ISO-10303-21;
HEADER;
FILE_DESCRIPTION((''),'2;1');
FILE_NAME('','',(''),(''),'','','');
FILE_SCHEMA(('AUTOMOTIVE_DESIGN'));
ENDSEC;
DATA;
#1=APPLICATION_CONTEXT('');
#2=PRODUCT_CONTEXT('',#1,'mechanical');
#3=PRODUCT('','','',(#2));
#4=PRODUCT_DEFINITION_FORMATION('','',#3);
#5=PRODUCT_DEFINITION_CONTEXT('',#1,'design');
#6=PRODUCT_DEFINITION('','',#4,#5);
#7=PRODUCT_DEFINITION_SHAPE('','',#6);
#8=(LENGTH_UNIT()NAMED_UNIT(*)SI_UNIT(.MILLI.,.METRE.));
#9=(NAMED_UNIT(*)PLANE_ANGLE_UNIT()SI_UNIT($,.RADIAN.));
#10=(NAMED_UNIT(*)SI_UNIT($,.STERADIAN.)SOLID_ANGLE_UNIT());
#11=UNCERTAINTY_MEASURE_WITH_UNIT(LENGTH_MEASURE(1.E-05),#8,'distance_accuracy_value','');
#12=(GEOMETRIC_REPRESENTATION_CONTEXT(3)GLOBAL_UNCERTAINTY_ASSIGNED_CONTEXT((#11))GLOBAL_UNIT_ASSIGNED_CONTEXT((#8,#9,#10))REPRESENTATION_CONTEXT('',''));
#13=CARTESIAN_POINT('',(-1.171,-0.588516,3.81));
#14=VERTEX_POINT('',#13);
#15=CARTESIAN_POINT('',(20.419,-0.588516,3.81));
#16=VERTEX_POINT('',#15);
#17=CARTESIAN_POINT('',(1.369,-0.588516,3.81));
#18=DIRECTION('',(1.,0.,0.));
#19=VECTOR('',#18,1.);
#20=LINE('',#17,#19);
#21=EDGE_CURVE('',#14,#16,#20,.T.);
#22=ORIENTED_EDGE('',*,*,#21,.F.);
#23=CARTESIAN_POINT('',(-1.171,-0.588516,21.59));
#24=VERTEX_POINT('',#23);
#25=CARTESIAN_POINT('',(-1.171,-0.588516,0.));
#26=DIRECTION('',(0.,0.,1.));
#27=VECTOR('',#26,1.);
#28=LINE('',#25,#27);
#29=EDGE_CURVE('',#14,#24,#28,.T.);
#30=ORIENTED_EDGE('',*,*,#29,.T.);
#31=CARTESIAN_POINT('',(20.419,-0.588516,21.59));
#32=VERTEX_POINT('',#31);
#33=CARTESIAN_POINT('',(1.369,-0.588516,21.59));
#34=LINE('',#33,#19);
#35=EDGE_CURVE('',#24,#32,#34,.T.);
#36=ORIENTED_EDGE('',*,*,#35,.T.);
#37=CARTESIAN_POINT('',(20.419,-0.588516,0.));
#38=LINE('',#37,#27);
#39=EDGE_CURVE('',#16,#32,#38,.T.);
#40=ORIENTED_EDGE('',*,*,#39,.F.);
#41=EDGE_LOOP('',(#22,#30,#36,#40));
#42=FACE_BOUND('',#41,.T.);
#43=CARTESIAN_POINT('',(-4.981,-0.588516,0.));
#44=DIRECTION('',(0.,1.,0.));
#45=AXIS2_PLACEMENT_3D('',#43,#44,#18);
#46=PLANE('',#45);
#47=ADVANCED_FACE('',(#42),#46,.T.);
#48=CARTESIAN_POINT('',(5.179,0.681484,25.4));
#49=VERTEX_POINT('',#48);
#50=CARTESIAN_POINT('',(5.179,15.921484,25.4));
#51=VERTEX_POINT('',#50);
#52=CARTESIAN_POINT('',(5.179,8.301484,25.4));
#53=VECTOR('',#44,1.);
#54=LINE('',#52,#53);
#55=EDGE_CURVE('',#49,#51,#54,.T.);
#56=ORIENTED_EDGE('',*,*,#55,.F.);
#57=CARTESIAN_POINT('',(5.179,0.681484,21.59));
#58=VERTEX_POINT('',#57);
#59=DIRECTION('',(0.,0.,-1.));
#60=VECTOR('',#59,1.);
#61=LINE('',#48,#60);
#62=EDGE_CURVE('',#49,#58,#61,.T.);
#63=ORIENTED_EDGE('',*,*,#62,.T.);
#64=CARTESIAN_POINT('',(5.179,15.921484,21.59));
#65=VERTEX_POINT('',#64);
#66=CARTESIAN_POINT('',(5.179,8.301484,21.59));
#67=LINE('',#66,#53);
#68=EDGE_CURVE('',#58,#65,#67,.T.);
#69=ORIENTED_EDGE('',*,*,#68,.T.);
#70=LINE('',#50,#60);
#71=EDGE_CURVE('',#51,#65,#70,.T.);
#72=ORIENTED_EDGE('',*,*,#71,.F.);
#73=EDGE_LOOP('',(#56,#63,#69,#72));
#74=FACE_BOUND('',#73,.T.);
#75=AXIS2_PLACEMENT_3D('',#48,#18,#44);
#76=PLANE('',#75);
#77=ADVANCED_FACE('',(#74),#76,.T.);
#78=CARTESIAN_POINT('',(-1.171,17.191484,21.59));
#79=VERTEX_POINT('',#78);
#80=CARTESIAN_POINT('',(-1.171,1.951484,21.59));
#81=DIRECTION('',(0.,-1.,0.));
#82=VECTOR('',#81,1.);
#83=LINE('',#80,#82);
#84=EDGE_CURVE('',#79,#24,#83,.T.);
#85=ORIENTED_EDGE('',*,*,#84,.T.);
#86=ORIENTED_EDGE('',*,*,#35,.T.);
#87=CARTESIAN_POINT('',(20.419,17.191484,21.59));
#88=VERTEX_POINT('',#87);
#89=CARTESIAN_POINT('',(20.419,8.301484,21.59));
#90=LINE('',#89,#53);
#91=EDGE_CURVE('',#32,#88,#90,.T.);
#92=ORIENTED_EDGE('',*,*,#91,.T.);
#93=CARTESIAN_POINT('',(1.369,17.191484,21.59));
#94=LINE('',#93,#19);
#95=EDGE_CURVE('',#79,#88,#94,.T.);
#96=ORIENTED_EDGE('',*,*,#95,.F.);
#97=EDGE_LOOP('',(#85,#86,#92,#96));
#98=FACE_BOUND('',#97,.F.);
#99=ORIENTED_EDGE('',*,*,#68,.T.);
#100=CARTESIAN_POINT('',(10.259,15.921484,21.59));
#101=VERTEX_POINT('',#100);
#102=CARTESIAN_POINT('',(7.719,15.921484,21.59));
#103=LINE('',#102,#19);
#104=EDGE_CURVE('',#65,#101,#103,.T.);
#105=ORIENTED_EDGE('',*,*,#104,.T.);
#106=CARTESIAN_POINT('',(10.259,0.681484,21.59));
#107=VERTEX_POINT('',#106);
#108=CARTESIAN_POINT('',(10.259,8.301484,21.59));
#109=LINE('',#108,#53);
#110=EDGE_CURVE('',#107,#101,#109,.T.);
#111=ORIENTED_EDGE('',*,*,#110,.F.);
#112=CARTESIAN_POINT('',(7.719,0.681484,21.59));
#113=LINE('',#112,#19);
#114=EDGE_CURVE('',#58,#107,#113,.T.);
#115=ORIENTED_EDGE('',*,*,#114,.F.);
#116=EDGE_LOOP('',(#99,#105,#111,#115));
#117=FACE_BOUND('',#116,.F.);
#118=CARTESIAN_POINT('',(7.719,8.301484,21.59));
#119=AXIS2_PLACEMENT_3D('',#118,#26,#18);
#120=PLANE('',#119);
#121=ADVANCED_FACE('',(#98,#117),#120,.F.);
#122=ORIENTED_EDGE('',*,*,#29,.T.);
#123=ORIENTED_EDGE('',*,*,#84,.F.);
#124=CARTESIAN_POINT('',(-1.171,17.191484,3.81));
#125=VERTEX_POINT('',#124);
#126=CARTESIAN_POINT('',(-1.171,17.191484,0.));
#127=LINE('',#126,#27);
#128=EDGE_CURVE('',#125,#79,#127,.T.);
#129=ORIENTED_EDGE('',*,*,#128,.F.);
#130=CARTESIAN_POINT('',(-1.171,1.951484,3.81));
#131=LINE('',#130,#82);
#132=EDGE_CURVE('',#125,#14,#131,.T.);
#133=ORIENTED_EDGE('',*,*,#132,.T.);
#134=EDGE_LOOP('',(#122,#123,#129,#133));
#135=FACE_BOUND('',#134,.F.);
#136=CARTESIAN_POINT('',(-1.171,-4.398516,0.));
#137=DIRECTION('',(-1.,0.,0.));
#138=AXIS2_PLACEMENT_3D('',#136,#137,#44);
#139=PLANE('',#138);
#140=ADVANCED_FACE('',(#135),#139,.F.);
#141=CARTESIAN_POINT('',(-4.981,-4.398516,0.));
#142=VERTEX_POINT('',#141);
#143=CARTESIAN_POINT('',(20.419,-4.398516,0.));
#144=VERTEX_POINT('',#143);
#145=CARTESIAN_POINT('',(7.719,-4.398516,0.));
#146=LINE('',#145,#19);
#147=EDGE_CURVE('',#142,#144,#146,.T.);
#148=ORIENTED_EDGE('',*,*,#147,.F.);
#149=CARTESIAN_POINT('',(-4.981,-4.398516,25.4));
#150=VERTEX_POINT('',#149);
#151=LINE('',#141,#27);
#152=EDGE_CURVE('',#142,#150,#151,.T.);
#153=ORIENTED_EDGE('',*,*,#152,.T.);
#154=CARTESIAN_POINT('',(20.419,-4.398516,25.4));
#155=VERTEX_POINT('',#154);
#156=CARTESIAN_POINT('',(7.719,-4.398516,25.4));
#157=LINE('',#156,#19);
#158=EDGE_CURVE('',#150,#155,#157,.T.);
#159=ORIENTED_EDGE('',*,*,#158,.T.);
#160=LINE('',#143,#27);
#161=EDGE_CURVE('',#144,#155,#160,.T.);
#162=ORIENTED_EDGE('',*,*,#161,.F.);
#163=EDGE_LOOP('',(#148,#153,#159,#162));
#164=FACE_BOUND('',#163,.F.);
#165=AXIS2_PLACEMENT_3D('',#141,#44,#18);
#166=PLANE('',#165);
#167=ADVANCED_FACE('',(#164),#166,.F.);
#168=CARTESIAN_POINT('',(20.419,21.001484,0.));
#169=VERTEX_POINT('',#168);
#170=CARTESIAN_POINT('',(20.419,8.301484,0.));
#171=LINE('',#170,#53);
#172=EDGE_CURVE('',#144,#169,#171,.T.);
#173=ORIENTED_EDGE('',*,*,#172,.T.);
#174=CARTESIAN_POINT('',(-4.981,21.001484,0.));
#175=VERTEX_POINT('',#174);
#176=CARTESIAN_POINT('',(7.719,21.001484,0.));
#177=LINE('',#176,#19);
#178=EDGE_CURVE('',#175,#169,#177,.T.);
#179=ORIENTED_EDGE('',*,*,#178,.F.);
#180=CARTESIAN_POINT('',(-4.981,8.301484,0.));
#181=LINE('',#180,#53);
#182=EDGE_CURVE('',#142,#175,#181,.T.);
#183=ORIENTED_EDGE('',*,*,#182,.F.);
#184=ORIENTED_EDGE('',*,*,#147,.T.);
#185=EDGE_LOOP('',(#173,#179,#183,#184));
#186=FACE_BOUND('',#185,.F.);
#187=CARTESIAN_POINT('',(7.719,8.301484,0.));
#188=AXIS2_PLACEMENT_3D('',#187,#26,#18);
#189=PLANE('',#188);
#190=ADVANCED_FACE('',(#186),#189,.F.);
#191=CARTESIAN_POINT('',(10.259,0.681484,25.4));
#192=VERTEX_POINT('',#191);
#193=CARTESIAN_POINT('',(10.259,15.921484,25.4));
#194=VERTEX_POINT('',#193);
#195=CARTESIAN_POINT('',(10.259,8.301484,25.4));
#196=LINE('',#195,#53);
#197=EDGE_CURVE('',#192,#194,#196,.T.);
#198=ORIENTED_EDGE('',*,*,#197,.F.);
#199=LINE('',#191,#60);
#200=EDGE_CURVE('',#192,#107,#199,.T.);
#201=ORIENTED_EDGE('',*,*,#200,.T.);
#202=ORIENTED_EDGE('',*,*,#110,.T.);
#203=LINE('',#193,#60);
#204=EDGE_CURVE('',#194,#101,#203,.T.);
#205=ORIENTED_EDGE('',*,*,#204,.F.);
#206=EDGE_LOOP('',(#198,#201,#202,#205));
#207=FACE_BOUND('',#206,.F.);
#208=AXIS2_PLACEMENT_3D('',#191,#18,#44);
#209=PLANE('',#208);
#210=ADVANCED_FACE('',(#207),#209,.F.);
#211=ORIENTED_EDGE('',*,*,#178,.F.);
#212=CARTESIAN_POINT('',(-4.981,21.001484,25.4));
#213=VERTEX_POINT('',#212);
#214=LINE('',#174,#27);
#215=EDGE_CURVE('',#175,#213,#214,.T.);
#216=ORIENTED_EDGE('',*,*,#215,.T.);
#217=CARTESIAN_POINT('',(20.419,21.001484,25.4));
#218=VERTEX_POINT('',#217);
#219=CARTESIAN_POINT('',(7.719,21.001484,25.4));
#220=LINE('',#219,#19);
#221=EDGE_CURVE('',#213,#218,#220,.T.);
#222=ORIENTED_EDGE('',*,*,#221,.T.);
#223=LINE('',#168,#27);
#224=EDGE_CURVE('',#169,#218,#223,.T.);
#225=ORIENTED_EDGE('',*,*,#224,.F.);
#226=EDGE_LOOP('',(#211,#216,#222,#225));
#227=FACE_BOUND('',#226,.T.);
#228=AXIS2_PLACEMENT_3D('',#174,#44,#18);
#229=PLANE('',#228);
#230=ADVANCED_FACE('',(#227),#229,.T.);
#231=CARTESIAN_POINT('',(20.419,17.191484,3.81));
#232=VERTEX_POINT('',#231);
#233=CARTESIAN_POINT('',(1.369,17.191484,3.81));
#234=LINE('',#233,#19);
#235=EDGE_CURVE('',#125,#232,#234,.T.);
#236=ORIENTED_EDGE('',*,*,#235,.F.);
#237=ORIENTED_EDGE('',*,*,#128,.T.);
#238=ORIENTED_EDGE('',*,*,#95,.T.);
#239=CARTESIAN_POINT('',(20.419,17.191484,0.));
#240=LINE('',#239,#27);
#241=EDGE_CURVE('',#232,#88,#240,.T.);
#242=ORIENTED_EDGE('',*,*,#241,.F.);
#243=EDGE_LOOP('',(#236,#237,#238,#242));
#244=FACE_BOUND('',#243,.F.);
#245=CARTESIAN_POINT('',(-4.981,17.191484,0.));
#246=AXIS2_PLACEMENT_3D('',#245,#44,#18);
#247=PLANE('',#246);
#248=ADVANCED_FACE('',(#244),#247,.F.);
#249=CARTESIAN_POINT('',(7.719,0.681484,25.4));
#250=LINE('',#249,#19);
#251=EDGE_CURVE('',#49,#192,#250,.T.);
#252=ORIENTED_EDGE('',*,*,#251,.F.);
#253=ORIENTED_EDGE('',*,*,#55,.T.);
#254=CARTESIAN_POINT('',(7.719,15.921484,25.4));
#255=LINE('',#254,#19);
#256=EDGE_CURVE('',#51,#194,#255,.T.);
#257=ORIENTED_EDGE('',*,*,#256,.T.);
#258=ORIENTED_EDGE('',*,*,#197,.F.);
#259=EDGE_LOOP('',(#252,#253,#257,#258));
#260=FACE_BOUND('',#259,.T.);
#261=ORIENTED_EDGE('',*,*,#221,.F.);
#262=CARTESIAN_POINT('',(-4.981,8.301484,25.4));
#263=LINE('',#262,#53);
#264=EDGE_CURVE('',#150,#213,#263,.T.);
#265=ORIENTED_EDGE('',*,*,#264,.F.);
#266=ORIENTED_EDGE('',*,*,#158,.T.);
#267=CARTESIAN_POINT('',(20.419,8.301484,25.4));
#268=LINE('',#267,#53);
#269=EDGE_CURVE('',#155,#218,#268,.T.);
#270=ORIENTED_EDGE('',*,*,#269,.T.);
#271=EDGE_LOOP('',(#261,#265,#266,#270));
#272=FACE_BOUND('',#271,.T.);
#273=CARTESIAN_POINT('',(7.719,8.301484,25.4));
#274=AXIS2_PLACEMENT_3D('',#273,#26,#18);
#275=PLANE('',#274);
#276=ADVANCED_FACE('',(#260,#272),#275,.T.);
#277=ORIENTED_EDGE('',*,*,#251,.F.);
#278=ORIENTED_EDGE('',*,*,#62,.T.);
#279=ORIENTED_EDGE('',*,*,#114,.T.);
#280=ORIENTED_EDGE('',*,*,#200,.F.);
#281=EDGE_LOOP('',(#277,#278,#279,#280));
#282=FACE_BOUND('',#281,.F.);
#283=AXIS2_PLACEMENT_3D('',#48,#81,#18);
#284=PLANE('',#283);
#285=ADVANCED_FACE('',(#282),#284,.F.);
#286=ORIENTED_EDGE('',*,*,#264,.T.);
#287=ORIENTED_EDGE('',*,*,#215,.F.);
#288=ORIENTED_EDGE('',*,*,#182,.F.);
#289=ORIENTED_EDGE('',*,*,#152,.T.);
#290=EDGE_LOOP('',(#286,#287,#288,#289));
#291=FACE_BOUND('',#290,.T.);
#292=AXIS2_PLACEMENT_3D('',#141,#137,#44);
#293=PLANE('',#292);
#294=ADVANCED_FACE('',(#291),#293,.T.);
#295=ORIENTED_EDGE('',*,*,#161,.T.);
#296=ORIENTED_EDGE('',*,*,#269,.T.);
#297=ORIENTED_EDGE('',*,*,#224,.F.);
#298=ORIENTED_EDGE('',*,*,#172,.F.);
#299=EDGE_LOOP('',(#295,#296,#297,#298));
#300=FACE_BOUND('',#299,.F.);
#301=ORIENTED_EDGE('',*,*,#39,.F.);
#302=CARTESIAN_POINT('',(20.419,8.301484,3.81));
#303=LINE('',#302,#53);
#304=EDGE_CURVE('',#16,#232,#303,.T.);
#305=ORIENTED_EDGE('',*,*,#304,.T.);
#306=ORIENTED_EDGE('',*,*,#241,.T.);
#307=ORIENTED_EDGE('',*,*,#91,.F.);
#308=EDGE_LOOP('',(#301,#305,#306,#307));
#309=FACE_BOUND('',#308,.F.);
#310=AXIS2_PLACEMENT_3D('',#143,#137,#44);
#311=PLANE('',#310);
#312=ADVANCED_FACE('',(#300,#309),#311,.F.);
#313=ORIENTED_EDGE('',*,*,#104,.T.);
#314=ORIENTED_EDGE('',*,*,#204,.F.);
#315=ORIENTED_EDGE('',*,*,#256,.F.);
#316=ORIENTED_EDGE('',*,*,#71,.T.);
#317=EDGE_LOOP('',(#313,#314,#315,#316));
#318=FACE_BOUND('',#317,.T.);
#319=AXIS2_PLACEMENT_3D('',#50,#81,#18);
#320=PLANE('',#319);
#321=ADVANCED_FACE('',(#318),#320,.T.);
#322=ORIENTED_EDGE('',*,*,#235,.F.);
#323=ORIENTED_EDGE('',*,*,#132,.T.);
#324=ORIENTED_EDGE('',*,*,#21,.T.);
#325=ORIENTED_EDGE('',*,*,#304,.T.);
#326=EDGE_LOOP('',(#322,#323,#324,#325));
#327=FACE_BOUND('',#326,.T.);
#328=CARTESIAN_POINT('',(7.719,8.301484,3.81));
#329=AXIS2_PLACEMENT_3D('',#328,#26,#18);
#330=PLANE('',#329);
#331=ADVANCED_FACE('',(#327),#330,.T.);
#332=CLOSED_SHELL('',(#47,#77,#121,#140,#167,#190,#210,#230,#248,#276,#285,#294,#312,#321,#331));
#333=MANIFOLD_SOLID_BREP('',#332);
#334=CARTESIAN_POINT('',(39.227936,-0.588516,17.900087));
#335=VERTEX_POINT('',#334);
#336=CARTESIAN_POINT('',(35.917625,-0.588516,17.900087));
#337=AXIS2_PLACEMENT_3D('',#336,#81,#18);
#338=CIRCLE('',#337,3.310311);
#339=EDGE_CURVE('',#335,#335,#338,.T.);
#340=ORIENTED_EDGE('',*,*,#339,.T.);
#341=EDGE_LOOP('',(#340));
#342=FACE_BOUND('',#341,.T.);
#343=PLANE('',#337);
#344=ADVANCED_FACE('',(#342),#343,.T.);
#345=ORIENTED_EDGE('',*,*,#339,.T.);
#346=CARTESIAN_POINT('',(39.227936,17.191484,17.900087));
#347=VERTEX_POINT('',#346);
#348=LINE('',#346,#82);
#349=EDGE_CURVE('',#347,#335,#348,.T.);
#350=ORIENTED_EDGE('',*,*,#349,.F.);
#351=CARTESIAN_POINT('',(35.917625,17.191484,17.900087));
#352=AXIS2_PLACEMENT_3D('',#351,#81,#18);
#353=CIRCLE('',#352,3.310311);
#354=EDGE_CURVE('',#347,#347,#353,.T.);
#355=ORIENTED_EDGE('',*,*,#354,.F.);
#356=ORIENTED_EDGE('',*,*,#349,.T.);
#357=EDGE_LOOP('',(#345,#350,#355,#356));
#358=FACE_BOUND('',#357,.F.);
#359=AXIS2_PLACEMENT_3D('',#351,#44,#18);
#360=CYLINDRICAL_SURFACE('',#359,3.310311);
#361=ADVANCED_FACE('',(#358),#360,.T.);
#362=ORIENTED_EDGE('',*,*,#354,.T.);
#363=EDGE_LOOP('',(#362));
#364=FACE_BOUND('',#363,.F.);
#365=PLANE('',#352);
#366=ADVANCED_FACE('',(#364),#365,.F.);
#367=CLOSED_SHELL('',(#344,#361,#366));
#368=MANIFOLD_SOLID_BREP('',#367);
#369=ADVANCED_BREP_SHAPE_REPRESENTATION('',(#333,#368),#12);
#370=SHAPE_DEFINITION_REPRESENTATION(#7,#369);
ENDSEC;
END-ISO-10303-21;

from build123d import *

# Parameters (mm, degrees)
F0_W     = 25.4
F0_H     = 25.4
F1_DEPTH = 25.4
F3_T     = -3.81
F2_W     = 5.08
F2_H     = 15.24
F4_DEPTH = 3.81
F5_R     = 3.310311
F6_DEPTH = 17.78


with BuildPart() as f1:
    # F0 (on Top) → F1 (new body)
    with BuildSketch(Plane.XY):
        with Locations((7.719, 8.301484)):
            Rectangle(F0_W, F0_H)
    extrude(amount=F1_DEPTH)

    # F3
    f3_openings = [f1.faces().sort_by_distance(p)[0] for p in [
        (20.419, 8.301484, 12.7),
    ]]
    offset(amount=F3_T, openings=f3_openings)

    # F2 (on face) → F4 (cut)
    with BuildSketch(Plane.XY.offset(25.4)):
        with Locations((7.719, 8.301484)):
            Rectangle(F2_W, F2_H)
    extrude(amount=-F4_DEPTH, mode=Mode.SUBTRACT)


with BuildPart() as f6:
    # F5 (on face) → F6 (new body)
    with BuildSketch(Plane.XZ.offset(-17.191484)):
        with Locations((35.917625, 17.900087)):
            Circle(F5_R)
    extrude(amount=F6_DEPTH)


solid = Compound([f1.part, f6.part])
